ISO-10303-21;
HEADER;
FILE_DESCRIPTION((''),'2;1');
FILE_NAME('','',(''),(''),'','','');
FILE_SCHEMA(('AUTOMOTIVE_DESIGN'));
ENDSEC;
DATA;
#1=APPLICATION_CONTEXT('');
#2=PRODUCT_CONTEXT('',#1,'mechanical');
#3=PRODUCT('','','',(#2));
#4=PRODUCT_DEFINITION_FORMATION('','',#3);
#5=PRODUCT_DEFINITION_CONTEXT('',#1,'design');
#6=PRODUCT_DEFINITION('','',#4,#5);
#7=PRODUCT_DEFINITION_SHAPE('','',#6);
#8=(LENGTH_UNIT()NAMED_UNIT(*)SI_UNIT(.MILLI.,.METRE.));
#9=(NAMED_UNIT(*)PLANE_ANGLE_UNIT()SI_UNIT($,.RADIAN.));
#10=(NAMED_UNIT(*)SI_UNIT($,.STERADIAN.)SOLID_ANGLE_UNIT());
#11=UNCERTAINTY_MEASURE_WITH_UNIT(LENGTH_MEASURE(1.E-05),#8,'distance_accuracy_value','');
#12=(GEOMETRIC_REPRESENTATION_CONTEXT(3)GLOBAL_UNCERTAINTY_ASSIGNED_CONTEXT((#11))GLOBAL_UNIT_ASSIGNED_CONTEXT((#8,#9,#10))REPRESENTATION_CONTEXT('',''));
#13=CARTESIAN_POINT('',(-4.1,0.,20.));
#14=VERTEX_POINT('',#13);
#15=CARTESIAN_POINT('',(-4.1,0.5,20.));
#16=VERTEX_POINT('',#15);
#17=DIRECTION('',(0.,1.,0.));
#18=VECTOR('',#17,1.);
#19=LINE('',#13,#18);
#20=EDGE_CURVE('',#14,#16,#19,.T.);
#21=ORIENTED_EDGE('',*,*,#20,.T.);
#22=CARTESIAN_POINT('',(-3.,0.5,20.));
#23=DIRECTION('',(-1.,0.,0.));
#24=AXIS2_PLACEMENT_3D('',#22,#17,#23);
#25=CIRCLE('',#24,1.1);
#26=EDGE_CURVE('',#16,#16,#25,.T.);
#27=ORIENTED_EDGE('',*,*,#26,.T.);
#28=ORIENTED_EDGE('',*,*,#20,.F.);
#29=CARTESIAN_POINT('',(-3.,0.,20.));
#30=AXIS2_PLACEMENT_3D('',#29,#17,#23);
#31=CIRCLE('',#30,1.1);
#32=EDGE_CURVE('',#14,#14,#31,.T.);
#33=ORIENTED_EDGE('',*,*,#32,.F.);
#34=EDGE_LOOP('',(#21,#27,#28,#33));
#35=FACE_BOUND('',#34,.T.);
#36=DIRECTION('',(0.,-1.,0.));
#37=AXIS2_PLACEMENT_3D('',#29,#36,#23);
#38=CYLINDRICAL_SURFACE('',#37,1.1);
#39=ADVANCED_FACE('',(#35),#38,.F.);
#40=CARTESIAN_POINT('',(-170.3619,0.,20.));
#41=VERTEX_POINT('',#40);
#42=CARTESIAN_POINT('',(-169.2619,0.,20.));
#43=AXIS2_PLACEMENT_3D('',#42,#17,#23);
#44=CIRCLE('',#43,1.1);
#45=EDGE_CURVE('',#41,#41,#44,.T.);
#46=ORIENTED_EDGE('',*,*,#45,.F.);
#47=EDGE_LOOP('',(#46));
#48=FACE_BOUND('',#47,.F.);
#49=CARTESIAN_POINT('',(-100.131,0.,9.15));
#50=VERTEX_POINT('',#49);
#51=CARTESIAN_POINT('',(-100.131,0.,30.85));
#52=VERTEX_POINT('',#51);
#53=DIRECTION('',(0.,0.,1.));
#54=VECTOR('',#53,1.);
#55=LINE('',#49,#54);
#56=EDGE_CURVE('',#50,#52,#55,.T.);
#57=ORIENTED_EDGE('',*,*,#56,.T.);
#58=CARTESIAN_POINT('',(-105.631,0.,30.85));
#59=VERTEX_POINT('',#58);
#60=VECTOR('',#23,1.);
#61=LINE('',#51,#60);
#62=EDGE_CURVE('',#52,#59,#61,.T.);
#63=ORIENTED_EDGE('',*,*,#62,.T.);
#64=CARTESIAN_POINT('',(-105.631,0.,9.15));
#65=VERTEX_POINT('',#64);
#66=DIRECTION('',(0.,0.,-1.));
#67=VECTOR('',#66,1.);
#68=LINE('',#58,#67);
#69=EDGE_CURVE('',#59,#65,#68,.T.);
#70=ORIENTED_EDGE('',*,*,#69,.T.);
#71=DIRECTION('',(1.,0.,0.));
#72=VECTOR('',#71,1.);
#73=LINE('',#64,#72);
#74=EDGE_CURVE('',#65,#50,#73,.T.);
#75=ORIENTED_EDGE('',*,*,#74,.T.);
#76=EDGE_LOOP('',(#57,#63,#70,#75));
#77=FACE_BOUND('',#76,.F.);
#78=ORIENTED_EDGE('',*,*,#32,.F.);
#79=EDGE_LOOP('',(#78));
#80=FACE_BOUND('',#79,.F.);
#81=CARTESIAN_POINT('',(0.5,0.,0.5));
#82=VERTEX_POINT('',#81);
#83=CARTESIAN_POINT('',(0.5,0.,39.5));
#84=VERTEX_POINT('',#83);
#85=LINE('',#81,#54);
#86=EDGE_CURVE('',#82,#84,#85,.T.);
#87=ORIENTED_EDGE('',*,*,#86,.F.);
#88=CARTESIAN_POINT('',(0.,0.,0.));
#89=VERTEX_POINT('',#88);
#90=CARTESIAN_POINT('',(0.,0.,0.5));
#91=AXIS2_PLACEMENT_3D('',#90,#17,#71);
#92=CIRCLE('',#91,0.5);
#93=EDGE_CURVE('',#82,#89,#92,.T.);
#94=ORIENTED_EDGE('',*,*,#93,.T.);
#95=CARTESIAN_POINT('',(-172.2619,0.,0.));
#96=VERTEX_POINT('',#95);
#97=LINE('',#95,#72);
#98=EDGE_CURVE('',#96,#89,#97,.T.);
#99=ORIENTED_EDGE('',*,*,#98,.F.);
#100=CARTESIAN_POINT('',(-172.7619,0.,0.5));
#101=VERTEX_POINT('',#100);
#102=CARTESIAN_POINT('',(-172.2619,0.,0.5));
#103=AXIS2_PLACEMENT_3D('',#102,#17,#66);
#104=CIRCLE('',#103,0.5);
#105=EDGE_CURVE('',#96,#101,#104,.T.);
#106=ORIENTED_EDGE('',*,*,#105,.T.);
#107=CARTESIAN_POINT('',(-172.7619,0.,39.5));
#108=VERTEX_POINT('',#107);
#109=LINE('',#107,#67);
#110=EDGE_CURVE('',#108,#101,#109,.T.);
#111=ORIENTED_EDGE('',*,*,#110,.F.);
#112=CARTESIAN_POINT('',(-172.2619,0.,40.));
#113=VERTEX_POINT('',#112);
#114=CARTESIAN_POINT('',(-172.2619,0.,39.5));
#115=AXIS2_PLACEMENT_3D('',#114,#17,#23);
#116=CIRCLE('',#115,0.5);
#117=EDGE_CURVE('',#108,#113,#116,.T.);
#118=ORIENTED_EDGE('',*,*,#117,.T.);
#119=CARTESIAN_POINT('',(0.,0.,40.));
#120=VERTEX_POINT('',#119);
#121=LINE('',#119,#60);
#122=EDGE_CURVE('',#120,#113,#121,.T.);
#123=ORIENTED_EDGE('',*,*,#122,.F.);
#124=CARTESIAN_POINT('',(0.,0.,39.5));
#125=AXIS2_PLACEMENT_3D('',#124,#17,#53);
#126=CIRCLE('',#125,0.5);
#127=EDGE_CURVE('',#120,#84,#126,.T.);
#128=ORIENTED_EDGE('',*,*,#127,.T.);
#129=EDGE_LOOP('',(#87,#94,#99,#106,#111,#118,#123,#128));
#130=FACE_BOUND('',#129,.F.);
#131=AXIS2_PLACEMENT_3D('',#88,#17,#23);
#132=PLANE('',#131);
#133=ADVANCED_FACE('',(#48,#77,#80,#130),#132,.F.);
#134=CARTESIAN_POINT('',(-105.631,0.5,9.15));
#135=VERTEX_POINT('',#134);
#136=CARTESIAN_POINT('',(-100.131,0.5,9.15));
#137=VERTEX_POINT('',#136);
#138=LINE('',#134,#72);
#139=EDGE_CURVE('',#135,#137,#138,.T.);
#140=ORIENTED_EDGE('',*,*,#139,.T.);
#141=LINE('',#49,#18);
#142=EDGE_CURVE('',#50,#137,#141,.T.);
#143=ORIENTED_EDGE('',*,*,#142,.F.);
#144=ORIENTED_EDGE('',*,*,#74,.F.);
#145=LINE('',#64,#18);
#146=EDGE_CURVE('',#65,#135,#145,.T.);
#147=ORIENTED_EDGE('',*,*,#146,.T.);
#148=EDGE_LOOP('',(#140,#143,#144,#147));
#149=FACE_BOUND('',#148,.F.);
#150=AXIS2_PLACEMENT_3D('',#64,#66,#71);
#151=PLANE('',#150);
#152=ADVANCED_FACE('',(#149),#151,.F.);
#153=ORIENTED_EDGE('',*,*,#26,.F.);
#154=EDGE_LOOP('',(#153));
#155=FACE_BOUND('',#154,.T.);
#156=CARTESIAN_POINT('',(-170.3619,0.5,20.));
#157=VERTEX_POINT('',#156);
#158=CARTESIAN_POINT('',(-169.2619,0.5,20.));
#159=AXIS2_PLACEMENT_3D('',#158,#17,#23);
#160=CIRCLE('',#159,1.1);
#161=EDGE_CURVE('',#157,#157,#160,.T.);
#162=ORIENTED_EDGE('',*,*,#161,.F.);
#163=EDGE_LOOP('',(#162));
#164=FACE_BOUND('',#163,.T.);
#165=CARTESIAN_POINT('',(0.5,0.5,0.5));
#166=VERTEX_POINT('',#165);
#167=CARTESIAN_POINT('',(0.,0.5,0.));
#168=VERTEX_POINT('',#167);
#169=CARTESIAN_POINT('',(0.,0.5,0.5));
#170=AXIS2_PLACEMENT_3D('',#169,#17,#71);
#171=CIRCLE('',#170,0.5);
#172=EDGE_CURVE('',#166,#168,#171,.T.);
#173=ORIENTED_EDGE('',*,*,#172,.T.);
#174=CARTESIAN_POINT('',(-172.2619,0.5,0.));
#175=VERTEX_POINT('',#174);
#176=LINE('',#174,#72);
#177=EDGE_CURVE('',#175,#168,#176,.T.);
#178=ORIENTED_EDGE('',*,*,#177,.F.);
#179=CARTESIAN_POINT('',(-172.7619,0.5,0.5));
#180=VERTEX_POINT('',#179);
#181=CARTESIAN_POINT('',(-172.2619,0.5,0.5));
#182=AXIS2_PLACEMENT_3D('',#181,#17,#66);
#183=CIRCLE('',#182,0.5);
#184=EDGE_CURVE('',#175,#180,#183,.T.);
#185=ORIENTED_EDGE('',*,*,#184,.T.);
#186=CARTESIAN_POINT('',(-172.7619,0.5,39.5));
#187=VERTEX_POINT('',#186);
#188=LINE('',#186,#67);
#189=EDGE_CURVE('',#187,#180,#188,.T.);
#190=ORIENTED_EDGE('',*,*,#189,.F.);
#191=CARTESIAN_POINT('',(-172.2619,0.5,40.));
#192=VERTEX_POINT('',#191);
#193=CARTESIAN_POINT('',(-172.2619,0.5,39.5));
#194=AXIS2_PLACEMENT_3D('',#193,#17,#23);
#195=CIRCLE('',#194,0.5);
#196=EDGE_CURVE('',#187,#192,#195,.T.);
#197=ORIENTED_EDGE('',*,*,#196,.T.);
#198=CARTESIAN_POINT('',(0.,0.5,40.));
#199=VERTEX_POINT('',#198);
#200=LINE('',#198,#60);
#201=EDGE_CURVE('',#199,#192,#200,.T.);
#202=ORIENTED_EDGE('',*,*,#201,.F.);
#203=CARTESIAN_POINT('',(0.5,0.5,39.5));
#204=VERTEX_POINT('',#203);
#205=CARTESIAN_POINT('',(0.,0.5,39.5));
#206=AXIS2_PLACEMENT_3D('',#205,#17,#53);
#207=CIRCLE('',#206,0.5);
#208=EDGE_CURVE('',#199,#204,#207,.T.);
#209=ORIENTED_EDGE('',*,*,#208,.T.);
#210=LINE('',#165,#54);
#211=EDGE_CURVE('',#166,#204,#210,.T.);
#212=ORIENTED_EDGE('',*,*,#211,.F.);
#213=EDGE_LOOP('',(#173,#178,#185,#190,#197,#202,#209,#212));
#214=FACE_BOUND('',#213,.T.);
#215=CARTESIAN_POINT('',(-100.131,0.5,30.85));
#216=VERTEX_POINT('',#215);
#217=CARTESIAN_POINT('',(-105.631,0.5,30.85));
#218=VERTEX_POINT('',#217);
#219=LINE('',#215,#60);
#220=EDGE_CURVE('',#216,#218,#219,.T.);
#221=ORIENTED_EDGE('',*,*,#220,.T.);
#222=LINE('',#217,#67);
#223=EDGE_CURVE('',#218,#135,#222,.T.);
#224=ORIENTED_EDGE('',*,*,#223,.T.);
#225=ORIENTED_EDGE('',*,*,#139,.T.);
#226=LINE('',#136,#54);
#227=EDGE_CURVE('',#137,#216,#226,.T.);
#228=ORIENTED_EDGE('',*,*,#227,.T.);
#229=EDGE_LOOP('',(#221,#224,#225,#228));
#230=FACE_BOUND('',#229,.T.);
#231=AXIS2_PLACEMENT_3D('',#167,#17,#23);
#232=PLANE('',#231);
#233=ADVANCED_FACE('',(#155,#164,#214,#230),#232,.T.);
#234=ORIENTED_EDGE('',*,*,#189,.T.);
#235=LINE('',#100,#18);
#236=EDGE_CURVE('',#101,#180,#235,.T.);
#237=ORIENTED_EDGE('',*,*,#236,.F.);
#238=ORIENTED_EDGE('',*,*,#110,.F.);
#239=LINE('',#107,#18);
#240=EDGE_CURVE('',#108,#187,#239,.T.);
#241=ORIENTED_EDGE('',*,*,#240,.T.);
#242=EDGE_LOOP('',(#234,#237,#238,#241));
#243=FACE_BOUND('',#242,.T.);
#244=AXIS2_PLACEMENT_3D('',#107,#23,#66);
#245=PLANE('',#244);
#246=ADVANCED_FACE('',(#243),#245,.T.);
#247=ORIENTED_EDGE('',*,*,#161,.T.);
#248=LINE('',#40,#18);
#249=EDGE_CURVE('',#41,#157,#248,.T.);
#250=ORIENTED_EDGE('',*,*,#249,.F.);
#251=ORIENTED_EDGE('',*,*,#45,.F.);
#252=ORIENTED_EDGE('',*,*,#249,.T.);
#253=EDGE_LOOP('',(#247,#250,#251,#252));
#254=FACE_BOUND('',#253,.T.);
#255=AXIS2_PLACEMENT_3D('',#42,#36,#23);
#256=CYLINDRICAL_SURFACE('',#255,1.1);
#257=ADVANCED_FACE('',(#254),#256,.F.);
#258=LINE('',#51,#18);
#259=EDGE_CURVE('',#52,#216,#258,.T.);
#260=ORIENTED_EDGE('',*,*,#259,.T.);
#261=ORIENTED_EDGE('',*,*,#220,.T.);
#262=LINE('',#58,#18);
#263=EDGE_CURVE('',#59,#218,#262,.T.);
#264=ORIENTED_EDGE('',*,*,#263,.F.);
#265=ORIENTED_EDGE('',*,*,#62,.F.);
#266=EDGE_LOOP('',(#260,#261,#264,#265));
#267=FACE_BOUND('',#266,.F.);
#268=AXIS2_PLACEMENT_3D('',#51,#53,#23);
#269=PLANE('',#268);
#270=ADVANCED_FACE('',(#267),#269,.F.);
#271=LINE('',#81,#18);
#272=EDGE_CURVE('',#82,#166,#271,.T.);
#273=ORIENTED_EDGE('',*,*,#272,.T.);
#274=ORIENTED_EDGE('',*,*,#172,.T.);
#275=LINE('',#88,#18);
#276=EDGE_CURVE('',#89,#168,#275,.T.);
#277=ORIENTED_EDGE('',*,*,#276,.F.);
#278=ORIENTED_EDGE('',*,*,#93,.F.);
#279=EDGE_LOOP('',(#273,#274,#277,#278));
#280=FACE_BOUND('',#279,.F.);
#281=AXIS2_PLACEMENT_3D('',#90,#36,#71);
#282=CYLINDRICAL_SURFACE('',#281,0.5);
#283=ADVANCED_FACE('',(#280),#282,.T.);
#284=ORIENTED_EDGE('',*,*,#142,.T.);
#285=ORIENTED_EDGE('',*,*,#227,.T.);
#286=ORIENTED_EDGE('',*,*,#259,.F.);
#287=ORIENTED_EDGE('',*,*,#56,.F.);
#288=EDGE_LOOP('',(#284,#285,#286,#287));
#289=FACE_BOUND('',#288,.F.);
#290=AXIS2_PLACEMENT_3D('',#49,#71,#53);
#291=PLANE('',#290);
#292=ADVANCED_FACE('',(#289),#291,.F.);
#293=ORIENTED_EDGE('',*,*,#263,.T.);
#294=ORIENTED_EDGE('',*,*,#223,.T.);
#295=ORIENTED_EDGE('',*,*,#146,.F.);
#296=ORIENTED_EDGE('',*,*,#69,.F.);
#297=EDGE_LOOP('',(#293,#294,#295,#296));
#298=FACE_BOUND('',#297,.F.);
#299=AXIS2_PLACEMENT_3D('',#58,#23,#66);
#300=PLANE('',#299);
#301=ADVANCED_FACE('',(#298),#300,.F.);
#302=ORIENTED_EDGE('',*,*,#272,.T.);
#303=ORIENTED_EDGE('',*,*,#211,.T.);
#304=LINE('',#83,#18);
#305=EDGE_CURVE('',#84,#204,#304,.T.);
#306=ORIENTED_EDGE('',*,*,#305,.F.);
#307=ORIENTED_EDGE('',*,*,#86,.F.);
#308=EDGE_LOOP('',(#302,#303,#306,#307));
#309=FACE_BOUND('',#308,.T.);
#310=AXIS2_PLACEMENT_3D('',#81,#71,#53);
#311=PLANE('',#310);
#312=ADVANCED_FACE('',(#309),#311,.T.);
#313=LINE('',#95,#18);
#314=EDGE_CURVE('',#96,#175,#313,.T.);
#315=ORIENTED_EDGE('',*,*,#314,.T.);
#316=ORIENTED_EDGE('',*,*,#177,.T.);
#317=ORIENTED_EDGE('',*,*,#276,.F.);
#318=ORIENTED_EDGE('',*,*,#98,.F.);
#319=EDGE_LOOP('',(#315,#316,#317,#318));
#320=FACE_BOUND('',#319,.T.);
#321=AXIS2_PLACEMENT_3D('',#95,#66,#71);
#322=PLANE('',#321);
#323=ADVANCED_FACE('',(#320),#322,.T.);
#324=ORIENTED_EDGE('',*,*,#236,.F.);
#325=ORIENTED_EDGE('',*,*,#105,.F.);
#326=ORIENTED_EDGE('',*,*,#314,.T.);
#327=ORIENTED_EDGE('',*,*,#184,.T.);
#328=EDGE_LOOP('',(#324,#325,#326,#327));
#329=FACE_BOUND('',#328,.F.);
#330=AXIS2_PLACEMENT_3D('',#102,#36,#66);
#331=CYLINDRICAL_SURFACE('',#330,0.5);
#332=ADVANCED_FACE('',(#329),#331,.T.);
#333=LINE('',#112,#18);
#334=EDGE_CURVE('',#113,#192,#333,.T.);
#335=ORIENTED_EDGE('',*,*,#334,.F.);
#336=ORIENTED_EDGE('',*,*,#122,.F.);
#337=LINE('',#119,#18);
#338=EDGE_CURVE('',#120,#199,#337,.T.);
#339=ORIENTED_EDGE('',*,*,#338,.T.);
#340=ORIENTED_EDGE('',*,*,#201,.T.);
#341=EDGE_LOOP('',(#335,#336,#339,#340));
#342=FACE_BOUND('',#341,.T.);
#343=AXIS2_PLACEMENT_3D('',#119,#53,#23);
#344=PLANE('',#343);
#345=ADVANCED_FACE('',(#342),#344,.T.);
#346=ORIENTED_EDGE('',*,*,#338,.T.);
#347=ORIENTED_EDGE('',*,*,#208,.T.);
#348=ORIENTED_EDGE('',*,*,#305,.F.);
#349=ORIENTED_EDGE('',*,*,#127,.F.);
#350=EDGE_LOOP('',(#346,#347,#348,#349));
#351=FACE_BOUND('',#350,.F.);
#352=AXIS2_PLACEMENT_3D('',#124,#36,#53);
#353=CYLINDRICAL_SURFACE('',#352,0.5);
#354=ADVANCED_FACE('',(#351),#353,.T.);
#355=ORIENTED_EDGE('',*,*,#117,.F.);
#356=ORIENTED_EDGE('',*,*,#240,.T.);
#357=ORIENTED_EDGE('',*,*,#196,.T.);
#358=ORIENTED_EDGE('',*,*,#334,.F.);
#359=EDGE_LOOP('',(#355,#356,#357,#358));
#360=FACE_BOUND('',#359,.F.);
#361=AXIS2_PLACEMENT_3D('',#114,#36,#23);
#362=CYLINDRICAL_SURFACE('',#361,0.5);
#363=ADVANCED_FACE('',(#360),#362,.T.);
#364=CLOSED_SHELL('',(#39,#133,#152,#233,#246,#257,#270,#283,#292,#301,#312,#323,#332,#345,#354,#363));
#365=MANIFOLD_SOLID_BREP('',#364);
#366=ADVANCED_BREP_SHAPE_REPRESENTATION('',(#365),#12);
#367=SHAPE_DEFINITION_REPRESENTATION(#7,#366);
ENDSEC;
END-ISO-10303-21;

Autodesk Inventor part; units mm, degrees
ref_plane "YZ Plane" through (0, 0, 0) normal (1, 0, 0) x (0, 1, 0)
ref_plane "XZ Plane" through (0, 0, 0) normal (0, 1, 0) x (-1, 0, 0)
ref_plane "XY Plane" through (0, 0, 0) normal (0, 0, 1) x (1, 0, 0)
sketch "Эскиз1" plane through (0, 0, 0) normal (0, 1, 0) x (-1, 0, 0)
  circle A0 centre (169.2619, 20) radius 1.1
  line L0 (100.131, 30.85) -> (105.631, 30.85)
  line L1 (105.631, 30.85) -> (105.631, 9.15)
  line L2 (105.631, 9.15) -> (100.131, 9.15)
  line L3 (100.131, 9.15) -> (100.131, 30.85)
  arc A1 (0, 40) -> (-0.5, 39.5) centre (0, 39.5) ccw
  line L4 (-0.5, 0.5) -> (-0.5, 39.5)
  arc A2 (-0.5, 0.5) -> (0, 0) centre (0, 0.5) ccw
  line L5 (172.2619, 0) -> (0, 0)
  arc A3 (172.2619, 0) -> (172.7619, 0.5) centre (172.2619, 0.5) ccw
  line L6 (172.7619, 39.5) -> (172.7619, 0.5)
  arc A4 (172.7619, 39.5) -> (172.2619, 40) centre (172.2619, 39.5) ccw
  line L7 (0, 40) -> (172.2619, 40)
  circle A5 centre (3, 20) radius 1.1
extrude "Выдавливание1" add sketch "Эскиз1" along normal blind 0.5
properties part number "metal_cap_forPrint"
